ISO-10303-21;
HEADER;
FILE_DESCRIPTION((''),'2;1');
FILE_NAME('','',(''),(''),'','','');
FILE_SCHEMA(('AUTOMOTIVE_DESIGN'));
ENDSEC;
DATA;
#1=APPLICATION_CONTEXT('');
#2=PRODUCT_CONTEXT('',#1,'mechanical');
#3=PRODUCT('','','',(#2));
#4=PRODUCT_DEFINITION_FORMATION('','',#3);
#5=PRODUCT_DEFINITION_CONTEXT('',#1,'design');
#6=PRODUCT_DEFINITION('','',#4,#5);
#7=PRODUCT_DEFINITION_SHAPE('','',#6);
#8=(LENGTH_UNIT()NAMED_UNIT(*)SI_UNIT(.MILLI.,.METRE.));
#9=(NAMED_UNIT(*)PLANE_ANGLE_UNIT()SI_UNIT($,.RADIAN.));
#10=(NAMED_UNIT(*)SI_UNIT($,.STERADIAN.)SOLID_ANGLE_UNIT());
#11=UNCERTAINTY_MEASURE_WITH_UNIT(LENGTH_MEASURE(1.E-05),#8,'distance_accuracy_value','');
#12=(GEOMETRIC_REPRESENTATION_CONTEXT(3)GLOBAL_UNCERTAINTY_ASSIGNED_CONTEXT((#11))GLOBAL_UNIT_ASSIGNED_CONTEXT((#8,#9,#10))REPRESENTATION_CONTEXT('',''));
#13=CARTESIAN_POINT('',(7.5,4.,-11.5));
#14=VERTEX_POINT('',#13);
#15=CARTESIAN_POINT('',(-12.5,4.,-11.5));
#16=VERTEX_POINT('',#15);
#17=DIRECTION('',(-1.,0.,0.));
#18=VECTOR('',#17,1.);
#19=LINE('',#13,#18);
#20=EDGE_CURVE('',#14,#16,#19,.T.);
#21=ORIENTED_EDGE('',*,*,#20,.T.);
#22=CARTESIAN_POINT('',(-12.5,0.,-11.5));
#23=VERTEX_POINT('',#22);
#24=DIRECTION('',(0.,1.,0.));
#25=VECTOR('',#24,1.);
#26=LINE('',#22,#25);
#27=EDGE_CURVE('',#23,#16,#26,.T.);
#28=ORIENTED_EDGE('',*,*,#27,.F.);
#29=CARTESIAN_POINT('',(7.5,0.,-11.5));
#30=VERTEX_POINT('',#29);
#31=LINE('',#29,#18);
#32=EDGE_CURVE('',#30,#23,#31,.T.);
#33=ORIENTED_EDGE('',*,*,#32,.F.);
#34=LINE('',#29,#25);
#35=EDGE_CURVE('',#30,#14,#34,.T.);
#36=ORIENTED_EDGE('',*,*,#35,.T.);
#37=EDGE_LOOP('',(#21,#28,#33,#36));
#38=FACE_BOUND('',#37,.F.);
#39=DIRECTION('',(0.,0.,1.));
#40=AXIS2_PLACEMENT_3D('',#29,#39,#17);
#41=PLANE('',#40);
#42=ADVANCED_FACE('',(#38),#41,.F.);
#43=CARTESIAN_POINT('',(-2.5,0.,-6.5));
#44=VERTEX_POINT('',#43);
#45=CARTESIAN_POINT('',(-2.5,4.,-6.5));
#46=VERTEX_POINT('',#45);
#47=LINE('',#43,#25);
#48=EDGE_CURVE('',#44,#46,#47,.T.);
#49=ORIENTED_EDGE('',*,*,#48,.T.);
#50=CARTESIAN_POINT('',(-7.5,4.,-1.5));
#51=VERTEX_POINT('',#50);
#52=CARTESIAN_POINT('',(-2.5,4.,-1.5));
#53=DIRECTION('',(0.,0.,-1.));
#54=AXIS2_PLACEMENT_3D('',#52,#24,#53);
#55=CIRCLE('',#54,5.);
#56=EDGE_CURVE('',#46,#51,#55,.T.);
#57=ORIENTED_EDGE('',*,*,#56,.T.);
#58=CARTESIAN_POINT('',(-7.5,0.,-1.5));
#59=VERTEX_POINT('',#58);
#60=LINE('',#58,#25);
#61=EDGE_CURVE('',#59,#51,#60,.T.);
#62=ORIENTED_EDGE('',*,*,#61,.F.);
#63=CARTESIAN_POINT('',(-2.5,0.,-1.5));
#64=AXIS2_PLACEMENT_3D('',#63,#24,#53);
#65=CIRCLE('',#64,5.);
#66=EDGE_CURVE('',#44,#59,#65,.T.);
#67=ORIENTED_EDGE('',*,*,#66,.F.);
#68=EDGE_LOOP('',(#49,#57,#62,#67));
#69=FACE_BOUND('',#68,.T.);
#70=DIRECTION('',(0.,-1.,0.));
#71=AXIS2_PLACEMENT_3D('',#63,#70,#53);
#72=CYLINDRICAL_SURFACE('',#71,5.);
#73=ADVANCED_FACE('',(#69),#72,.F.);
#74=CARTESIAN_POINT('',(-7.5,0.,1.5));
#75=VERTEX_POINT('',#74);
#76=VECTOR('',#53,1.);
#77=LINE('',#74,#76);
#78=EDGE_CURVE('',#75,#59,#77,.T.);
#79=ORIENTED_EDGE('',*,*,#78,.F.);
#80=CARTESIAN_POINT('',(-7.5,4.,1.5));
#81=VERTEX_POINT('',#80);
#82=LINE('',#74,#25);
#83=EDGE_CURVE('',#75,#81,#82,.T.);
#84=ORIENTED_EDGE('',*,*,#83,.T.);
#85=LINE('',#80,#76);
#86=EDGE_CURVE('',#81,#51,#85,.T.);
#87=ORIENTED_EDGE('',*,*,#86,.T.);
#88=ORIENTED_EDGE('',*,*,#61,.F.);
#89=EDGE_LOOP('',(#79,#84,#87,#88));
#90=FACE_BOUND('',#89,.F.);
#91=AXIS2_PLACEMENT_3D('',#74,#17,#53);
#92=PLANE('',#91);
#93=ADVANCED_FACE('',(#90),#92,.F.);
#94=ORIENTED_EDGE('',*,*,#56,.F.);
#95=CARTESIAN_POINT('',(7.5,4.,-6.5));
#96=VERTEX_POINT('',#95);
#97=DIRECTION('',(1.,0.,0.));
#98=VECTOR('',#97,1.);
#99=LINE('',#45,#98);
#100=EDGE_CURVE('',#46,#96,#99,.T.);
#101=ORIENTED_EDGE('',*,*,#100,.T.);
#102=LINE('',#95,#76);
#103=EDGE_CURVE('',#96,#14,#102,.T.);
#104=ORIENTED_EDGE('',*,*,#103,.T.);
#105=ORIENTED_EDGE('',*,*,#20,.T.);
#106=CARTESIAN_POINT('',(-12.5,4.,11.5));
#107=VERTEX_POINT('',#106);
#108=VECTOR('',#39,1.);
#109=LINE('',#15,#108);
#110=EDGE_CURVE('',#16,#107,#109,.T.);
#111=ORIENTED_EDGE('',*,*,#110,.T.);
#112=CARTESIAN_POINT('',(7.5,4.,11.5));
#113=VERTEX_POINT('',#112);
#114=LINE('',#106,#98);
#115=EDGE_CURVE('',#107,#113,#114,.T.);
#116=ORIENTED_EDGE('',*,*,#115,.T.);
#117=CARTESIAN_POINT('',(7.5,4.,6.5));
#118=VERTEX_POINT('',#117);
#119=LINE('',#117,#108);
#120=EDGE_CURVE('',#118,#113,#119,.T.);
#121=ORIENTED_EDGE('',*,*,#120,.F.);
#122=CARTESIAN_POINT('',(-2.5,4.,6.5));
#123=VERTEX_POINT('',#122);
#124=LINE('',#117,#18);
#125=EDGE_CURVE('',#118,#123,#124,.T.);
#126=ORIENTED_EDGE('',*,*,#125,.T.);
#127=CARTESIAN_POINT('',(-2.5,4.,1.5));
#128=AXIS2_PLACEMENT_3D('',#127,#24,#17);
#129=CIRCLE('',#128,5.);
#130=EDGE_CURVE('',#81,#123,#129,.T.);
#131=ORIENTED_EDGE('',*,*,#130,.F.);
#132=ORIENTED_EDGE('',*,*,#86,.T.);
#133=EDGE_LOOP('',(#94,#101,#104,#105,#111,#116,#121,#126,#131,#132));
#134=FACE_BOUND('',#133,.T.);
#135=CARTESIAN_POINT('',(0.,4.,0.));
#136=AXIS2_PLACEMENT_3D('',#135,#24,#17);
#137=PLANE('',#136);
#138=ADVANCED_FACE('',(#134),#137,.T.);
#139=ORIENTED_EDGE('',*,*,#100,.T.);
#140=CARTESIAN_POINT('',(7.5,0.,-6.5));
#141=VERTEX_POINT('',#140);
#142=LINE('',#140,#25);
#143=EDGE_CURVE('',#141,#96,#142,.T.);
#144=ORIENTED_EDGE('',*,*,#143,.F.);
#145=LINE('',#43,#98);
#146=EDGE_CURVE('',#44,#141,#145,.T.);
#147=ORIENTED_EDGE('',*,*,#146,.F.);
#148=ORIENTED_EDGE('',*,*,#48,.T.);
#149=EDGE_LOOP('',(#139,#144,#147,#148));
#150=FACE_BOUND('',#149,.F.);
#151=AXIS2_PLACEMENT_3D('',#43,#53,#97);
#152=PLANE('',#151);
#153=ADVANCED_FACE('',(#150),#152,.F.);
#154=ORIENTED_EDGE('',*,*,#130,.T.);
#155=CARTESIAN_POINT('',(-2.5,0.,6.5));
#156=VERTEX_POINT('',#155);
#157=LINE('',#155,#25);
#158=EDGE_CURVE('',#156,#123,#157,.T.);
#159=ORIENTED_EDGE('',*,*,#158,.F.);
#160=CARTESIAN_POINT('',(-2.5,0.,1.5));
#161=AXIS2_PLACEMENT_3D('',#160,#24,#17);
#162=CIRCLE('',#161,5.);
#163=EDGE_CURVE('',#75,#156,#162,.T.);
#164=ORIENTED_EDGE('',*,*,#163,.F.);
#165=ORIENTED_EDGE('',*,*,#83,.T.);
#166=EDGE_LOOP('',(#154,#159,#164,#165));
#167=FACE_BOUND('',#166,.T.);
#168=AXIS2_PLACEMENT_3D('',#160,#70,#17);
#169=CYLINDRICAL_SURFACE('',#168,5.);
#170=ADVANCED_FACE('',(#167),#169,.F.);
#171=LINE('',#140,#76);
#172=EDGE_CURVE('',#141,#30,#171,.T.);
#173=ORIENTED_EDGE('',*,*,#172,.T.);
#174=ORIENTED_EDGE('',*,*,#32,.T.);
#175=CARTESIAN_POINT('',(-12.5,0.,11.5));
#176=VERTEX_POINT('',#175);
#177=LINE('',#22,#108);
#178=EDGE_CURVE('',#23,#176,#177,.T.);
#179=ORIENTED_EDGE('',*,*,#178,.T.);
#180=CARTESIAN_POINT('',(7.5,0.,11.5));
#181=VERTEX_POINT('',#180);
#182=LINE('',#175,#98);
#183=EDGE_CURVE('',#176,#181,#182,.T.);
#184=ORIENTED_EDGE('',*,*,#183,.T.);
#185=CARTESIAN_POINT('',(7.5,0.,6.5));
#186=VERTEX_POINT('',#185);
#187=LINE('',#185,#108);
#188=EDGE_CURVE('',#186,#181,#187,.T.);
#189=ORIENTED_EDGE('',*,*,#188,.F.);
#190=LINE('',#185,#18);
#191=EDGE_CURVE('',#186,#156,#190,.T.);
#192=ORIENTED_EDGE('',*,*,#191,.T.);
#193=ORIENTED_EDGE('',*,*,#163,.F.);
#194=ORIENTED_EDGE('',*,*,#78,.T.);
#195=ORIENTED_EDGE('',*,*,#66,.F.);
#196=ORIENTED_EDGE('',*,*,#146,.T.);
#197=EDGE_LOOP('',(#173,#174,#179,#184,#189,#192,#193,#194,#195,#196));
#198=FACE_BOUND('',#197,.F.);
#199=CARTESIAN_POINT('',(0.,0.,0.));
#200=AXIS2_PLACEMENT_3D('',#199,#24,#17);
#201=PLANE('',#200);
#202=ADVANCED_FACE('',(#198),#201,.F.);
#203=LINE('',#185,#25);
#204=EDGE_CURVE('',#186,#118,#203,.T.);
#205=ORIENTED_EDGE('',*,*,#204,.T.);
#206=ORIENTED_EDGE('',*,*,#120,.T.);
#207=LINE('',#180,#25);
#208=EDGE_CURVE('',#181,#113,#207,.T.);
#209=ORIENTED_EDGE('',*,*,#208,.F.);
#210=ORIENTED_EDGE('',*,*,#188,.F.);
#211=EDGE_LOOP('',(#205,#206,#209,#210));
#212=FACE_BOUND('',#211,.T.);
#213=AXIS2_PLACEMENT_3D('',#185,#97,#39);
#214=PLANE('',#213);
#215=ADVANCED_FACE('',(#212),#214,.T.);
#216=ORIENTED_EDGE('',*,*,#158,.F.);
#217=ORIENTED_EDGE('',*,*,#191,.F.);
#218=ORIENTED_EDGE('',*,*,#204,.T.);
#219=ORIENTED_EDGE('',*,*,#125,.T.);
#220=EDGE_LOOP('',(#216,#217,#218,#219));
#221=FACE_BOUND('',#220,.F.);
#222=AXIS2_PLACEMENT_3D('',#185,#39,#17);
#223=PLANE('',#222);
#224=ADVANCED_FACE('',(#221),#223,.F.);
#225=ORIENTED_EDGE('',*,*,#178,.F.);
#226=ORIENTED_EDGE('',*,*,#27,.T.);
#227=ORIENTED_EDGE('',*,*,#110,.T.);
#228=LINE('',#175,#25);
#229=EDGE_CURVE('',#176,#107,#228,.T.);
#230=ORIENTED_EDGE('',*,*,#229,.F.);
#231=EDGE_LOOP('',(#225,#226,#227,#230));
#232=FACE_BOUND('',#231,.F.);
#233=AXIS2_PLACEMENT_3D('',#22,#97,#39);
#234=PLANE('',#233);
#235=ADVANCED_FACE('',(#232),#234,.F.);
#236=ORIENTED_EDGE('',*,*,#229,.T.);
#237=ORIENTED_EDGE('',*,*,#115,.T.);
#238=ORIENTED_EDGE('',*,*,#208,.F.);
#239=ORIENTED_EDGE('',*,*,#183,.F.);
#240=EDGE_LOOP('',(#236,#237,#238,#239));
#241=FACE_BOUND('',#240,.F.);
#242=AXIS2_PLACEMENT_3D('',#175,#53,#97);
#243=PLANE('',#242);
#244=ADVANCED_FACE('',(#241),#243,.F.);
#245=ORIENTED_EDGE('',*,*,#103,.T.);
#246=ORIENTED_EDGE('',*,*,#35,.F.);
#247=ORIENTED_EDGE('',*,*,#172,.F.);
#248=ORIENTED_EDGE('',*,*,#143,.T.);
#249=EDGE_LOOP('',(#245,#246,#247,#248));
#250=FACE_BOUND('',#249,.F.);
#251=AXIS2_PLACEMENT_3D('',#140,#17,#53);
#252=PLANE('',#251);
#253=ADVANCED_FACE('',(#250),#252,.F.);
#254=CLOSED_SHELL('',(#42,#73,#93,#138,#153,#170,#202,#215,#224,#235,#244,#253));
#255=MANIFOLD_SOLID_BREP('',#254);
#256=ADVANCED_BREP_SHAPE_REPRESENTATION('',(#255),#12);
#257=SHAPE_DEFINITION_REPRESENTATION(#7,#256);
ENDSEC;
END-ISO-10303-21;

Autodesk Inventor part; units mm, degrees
ref_plane "YZ Plane" through (0, 0, 0) normal (1, 0, 0) x (0, 1, 0)
ref_plane "XZ Plane" through (0, 0, 0) normal (0, 1, 0) x (-1, 0, 0)
ref_plane "XY Plane" through (0, 0, 0) normal (0, 0, 1) x (1, 0, 0)
sketch "Sketch1" plane through (0, 0, 0) normal (0, 1, 0) x (-1, 0, 0)
  line L0 (-7.5, 6.5) -> (2.5, 6.5)
  line L1 (7.5, 1.5) -> (7.5, -1.5)
  line L2 (2.5, -6.5) -> (-7.5, -6.5)
  line L3 (-7.5, -6.5) -> (-7.5, 6.5)
  line L4 (-7.5, 6.5) -> (7.5, -6.5) construction
  line L5 (7.5, 6.5) -> (-7.5, -6.5) construction
  line L6 (12.5, -11.5) -> (12.5, 11.5)
  line L7 (12.5, 11.5) -> (-7.5, 11.5)
  line L8 (-7.5, -11.5) -> (12.5, -11.5)
  line L9 (-7.5, 6.5) -> (-7.5, 11.5)
  line L10 (-7.5, -6.5) -> (-7.5, -11.5)
  arc A0 (7.5, 1.5) -> (2.5, 6.5) centre (2.5, 1.5) ccw
  arc A1 (2.5, -6.5) -> (7.5, -1.5) centre (2.5, -1.5) ccw
  line L11 (0, 0) -> (3.7715, 0)
  dimension "d0" = 15
  dimension "d1" = 13
  dimension "d2" = 5
  dimension "d3" = 5
  dimension "d4" = 5
extrude "Extrusion1" add sketch "Sketch1" along normal blind 4 contours L9 L7 L6 L8 L10 L2 A1 L1 A0 L0
properties part number "camera strand"
